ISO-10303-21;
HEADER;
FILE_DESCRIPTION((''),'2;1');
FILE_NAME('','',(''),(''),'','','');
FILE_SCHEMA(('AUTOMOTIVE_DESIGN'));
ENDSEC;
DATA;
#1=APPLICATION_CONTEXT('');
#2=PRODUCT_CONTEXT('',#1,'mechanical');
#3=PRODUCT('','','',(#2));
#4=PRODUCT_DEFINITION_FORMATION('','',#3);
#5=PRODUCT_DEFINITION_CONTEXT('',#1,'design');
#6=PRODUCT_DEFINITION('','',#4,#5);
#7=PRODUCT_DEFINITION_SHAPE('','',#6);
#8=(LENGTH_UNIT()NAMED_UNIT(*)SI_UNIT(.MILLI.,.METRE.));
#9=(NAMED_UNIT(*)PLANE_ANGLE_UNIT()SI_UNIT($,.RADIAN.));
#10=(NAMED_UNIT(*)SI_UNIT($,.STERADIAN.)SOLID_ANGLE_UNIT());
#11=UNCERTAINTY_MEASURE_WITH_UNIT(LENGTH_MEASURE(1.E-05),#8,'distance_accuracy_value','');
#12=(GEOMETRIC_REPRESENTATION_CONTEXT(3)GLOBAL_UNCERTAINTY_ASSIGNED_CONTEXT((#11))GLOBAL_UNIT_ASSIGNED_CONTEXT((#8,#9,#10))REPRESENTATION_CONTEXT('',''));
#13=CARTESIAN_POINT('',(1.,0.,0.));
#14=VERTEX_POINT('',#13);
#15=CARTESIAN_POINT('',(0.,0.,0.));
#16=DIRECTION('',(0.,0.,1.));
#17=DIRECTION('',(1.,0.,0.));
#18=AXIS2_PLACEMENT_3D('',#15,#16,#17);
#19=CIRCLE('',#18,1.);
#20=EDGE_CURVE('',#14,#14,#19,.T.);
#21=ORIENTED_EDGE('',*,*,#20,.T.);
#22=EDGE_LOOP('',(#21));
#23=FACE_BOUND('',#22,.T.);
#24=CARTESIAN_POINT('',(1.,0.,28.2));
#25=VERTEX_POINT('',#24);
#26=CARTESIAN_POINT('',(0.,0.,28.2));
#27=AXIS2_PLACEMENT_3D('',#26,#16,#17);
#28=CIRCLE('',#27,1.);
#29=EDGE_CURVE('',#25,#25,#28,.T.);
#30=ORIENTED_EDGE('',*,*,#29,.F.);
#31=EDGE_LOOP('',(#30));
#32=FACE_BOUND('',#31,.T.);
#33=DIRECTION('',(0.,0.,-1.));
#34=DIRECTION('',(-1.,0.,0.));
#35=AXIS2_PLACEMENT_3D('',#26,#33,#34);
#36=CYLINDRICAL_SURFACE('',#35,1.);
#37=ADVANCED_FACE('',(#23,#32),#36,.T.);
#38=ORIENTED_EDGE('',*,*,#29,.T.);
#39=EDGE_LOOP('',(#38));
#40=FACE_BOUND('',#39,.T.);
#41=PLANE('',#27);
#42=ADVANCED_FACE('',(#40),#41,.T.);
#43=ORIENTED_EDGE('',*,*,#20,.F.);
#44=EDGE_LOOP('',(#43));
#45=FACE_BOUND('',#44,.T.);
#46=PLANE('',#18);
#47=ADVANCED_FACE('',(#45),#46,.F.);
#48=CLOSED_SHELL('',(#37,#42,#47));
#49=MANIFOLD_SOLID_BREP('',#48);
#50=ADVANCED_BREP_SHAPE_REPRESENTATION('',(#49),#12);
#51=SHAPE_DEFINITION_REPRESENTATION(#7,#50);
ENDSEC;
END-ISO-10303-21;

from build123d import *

# Parameters (mm, degrees)
SKICA1_R                = 1
P_IDAT_VYSUNUT_M1_DEPTH = 28.2


with BuildPart() as part:
    # Skica1 → Přidat vysunutím1 (new body)
    with BuildSketch(Plane.XY):
        Circle(SKICA1_R)
    extrude(amount=P_IDAT_VYSUNUT_M1_DEPTH)


solid = part.part
